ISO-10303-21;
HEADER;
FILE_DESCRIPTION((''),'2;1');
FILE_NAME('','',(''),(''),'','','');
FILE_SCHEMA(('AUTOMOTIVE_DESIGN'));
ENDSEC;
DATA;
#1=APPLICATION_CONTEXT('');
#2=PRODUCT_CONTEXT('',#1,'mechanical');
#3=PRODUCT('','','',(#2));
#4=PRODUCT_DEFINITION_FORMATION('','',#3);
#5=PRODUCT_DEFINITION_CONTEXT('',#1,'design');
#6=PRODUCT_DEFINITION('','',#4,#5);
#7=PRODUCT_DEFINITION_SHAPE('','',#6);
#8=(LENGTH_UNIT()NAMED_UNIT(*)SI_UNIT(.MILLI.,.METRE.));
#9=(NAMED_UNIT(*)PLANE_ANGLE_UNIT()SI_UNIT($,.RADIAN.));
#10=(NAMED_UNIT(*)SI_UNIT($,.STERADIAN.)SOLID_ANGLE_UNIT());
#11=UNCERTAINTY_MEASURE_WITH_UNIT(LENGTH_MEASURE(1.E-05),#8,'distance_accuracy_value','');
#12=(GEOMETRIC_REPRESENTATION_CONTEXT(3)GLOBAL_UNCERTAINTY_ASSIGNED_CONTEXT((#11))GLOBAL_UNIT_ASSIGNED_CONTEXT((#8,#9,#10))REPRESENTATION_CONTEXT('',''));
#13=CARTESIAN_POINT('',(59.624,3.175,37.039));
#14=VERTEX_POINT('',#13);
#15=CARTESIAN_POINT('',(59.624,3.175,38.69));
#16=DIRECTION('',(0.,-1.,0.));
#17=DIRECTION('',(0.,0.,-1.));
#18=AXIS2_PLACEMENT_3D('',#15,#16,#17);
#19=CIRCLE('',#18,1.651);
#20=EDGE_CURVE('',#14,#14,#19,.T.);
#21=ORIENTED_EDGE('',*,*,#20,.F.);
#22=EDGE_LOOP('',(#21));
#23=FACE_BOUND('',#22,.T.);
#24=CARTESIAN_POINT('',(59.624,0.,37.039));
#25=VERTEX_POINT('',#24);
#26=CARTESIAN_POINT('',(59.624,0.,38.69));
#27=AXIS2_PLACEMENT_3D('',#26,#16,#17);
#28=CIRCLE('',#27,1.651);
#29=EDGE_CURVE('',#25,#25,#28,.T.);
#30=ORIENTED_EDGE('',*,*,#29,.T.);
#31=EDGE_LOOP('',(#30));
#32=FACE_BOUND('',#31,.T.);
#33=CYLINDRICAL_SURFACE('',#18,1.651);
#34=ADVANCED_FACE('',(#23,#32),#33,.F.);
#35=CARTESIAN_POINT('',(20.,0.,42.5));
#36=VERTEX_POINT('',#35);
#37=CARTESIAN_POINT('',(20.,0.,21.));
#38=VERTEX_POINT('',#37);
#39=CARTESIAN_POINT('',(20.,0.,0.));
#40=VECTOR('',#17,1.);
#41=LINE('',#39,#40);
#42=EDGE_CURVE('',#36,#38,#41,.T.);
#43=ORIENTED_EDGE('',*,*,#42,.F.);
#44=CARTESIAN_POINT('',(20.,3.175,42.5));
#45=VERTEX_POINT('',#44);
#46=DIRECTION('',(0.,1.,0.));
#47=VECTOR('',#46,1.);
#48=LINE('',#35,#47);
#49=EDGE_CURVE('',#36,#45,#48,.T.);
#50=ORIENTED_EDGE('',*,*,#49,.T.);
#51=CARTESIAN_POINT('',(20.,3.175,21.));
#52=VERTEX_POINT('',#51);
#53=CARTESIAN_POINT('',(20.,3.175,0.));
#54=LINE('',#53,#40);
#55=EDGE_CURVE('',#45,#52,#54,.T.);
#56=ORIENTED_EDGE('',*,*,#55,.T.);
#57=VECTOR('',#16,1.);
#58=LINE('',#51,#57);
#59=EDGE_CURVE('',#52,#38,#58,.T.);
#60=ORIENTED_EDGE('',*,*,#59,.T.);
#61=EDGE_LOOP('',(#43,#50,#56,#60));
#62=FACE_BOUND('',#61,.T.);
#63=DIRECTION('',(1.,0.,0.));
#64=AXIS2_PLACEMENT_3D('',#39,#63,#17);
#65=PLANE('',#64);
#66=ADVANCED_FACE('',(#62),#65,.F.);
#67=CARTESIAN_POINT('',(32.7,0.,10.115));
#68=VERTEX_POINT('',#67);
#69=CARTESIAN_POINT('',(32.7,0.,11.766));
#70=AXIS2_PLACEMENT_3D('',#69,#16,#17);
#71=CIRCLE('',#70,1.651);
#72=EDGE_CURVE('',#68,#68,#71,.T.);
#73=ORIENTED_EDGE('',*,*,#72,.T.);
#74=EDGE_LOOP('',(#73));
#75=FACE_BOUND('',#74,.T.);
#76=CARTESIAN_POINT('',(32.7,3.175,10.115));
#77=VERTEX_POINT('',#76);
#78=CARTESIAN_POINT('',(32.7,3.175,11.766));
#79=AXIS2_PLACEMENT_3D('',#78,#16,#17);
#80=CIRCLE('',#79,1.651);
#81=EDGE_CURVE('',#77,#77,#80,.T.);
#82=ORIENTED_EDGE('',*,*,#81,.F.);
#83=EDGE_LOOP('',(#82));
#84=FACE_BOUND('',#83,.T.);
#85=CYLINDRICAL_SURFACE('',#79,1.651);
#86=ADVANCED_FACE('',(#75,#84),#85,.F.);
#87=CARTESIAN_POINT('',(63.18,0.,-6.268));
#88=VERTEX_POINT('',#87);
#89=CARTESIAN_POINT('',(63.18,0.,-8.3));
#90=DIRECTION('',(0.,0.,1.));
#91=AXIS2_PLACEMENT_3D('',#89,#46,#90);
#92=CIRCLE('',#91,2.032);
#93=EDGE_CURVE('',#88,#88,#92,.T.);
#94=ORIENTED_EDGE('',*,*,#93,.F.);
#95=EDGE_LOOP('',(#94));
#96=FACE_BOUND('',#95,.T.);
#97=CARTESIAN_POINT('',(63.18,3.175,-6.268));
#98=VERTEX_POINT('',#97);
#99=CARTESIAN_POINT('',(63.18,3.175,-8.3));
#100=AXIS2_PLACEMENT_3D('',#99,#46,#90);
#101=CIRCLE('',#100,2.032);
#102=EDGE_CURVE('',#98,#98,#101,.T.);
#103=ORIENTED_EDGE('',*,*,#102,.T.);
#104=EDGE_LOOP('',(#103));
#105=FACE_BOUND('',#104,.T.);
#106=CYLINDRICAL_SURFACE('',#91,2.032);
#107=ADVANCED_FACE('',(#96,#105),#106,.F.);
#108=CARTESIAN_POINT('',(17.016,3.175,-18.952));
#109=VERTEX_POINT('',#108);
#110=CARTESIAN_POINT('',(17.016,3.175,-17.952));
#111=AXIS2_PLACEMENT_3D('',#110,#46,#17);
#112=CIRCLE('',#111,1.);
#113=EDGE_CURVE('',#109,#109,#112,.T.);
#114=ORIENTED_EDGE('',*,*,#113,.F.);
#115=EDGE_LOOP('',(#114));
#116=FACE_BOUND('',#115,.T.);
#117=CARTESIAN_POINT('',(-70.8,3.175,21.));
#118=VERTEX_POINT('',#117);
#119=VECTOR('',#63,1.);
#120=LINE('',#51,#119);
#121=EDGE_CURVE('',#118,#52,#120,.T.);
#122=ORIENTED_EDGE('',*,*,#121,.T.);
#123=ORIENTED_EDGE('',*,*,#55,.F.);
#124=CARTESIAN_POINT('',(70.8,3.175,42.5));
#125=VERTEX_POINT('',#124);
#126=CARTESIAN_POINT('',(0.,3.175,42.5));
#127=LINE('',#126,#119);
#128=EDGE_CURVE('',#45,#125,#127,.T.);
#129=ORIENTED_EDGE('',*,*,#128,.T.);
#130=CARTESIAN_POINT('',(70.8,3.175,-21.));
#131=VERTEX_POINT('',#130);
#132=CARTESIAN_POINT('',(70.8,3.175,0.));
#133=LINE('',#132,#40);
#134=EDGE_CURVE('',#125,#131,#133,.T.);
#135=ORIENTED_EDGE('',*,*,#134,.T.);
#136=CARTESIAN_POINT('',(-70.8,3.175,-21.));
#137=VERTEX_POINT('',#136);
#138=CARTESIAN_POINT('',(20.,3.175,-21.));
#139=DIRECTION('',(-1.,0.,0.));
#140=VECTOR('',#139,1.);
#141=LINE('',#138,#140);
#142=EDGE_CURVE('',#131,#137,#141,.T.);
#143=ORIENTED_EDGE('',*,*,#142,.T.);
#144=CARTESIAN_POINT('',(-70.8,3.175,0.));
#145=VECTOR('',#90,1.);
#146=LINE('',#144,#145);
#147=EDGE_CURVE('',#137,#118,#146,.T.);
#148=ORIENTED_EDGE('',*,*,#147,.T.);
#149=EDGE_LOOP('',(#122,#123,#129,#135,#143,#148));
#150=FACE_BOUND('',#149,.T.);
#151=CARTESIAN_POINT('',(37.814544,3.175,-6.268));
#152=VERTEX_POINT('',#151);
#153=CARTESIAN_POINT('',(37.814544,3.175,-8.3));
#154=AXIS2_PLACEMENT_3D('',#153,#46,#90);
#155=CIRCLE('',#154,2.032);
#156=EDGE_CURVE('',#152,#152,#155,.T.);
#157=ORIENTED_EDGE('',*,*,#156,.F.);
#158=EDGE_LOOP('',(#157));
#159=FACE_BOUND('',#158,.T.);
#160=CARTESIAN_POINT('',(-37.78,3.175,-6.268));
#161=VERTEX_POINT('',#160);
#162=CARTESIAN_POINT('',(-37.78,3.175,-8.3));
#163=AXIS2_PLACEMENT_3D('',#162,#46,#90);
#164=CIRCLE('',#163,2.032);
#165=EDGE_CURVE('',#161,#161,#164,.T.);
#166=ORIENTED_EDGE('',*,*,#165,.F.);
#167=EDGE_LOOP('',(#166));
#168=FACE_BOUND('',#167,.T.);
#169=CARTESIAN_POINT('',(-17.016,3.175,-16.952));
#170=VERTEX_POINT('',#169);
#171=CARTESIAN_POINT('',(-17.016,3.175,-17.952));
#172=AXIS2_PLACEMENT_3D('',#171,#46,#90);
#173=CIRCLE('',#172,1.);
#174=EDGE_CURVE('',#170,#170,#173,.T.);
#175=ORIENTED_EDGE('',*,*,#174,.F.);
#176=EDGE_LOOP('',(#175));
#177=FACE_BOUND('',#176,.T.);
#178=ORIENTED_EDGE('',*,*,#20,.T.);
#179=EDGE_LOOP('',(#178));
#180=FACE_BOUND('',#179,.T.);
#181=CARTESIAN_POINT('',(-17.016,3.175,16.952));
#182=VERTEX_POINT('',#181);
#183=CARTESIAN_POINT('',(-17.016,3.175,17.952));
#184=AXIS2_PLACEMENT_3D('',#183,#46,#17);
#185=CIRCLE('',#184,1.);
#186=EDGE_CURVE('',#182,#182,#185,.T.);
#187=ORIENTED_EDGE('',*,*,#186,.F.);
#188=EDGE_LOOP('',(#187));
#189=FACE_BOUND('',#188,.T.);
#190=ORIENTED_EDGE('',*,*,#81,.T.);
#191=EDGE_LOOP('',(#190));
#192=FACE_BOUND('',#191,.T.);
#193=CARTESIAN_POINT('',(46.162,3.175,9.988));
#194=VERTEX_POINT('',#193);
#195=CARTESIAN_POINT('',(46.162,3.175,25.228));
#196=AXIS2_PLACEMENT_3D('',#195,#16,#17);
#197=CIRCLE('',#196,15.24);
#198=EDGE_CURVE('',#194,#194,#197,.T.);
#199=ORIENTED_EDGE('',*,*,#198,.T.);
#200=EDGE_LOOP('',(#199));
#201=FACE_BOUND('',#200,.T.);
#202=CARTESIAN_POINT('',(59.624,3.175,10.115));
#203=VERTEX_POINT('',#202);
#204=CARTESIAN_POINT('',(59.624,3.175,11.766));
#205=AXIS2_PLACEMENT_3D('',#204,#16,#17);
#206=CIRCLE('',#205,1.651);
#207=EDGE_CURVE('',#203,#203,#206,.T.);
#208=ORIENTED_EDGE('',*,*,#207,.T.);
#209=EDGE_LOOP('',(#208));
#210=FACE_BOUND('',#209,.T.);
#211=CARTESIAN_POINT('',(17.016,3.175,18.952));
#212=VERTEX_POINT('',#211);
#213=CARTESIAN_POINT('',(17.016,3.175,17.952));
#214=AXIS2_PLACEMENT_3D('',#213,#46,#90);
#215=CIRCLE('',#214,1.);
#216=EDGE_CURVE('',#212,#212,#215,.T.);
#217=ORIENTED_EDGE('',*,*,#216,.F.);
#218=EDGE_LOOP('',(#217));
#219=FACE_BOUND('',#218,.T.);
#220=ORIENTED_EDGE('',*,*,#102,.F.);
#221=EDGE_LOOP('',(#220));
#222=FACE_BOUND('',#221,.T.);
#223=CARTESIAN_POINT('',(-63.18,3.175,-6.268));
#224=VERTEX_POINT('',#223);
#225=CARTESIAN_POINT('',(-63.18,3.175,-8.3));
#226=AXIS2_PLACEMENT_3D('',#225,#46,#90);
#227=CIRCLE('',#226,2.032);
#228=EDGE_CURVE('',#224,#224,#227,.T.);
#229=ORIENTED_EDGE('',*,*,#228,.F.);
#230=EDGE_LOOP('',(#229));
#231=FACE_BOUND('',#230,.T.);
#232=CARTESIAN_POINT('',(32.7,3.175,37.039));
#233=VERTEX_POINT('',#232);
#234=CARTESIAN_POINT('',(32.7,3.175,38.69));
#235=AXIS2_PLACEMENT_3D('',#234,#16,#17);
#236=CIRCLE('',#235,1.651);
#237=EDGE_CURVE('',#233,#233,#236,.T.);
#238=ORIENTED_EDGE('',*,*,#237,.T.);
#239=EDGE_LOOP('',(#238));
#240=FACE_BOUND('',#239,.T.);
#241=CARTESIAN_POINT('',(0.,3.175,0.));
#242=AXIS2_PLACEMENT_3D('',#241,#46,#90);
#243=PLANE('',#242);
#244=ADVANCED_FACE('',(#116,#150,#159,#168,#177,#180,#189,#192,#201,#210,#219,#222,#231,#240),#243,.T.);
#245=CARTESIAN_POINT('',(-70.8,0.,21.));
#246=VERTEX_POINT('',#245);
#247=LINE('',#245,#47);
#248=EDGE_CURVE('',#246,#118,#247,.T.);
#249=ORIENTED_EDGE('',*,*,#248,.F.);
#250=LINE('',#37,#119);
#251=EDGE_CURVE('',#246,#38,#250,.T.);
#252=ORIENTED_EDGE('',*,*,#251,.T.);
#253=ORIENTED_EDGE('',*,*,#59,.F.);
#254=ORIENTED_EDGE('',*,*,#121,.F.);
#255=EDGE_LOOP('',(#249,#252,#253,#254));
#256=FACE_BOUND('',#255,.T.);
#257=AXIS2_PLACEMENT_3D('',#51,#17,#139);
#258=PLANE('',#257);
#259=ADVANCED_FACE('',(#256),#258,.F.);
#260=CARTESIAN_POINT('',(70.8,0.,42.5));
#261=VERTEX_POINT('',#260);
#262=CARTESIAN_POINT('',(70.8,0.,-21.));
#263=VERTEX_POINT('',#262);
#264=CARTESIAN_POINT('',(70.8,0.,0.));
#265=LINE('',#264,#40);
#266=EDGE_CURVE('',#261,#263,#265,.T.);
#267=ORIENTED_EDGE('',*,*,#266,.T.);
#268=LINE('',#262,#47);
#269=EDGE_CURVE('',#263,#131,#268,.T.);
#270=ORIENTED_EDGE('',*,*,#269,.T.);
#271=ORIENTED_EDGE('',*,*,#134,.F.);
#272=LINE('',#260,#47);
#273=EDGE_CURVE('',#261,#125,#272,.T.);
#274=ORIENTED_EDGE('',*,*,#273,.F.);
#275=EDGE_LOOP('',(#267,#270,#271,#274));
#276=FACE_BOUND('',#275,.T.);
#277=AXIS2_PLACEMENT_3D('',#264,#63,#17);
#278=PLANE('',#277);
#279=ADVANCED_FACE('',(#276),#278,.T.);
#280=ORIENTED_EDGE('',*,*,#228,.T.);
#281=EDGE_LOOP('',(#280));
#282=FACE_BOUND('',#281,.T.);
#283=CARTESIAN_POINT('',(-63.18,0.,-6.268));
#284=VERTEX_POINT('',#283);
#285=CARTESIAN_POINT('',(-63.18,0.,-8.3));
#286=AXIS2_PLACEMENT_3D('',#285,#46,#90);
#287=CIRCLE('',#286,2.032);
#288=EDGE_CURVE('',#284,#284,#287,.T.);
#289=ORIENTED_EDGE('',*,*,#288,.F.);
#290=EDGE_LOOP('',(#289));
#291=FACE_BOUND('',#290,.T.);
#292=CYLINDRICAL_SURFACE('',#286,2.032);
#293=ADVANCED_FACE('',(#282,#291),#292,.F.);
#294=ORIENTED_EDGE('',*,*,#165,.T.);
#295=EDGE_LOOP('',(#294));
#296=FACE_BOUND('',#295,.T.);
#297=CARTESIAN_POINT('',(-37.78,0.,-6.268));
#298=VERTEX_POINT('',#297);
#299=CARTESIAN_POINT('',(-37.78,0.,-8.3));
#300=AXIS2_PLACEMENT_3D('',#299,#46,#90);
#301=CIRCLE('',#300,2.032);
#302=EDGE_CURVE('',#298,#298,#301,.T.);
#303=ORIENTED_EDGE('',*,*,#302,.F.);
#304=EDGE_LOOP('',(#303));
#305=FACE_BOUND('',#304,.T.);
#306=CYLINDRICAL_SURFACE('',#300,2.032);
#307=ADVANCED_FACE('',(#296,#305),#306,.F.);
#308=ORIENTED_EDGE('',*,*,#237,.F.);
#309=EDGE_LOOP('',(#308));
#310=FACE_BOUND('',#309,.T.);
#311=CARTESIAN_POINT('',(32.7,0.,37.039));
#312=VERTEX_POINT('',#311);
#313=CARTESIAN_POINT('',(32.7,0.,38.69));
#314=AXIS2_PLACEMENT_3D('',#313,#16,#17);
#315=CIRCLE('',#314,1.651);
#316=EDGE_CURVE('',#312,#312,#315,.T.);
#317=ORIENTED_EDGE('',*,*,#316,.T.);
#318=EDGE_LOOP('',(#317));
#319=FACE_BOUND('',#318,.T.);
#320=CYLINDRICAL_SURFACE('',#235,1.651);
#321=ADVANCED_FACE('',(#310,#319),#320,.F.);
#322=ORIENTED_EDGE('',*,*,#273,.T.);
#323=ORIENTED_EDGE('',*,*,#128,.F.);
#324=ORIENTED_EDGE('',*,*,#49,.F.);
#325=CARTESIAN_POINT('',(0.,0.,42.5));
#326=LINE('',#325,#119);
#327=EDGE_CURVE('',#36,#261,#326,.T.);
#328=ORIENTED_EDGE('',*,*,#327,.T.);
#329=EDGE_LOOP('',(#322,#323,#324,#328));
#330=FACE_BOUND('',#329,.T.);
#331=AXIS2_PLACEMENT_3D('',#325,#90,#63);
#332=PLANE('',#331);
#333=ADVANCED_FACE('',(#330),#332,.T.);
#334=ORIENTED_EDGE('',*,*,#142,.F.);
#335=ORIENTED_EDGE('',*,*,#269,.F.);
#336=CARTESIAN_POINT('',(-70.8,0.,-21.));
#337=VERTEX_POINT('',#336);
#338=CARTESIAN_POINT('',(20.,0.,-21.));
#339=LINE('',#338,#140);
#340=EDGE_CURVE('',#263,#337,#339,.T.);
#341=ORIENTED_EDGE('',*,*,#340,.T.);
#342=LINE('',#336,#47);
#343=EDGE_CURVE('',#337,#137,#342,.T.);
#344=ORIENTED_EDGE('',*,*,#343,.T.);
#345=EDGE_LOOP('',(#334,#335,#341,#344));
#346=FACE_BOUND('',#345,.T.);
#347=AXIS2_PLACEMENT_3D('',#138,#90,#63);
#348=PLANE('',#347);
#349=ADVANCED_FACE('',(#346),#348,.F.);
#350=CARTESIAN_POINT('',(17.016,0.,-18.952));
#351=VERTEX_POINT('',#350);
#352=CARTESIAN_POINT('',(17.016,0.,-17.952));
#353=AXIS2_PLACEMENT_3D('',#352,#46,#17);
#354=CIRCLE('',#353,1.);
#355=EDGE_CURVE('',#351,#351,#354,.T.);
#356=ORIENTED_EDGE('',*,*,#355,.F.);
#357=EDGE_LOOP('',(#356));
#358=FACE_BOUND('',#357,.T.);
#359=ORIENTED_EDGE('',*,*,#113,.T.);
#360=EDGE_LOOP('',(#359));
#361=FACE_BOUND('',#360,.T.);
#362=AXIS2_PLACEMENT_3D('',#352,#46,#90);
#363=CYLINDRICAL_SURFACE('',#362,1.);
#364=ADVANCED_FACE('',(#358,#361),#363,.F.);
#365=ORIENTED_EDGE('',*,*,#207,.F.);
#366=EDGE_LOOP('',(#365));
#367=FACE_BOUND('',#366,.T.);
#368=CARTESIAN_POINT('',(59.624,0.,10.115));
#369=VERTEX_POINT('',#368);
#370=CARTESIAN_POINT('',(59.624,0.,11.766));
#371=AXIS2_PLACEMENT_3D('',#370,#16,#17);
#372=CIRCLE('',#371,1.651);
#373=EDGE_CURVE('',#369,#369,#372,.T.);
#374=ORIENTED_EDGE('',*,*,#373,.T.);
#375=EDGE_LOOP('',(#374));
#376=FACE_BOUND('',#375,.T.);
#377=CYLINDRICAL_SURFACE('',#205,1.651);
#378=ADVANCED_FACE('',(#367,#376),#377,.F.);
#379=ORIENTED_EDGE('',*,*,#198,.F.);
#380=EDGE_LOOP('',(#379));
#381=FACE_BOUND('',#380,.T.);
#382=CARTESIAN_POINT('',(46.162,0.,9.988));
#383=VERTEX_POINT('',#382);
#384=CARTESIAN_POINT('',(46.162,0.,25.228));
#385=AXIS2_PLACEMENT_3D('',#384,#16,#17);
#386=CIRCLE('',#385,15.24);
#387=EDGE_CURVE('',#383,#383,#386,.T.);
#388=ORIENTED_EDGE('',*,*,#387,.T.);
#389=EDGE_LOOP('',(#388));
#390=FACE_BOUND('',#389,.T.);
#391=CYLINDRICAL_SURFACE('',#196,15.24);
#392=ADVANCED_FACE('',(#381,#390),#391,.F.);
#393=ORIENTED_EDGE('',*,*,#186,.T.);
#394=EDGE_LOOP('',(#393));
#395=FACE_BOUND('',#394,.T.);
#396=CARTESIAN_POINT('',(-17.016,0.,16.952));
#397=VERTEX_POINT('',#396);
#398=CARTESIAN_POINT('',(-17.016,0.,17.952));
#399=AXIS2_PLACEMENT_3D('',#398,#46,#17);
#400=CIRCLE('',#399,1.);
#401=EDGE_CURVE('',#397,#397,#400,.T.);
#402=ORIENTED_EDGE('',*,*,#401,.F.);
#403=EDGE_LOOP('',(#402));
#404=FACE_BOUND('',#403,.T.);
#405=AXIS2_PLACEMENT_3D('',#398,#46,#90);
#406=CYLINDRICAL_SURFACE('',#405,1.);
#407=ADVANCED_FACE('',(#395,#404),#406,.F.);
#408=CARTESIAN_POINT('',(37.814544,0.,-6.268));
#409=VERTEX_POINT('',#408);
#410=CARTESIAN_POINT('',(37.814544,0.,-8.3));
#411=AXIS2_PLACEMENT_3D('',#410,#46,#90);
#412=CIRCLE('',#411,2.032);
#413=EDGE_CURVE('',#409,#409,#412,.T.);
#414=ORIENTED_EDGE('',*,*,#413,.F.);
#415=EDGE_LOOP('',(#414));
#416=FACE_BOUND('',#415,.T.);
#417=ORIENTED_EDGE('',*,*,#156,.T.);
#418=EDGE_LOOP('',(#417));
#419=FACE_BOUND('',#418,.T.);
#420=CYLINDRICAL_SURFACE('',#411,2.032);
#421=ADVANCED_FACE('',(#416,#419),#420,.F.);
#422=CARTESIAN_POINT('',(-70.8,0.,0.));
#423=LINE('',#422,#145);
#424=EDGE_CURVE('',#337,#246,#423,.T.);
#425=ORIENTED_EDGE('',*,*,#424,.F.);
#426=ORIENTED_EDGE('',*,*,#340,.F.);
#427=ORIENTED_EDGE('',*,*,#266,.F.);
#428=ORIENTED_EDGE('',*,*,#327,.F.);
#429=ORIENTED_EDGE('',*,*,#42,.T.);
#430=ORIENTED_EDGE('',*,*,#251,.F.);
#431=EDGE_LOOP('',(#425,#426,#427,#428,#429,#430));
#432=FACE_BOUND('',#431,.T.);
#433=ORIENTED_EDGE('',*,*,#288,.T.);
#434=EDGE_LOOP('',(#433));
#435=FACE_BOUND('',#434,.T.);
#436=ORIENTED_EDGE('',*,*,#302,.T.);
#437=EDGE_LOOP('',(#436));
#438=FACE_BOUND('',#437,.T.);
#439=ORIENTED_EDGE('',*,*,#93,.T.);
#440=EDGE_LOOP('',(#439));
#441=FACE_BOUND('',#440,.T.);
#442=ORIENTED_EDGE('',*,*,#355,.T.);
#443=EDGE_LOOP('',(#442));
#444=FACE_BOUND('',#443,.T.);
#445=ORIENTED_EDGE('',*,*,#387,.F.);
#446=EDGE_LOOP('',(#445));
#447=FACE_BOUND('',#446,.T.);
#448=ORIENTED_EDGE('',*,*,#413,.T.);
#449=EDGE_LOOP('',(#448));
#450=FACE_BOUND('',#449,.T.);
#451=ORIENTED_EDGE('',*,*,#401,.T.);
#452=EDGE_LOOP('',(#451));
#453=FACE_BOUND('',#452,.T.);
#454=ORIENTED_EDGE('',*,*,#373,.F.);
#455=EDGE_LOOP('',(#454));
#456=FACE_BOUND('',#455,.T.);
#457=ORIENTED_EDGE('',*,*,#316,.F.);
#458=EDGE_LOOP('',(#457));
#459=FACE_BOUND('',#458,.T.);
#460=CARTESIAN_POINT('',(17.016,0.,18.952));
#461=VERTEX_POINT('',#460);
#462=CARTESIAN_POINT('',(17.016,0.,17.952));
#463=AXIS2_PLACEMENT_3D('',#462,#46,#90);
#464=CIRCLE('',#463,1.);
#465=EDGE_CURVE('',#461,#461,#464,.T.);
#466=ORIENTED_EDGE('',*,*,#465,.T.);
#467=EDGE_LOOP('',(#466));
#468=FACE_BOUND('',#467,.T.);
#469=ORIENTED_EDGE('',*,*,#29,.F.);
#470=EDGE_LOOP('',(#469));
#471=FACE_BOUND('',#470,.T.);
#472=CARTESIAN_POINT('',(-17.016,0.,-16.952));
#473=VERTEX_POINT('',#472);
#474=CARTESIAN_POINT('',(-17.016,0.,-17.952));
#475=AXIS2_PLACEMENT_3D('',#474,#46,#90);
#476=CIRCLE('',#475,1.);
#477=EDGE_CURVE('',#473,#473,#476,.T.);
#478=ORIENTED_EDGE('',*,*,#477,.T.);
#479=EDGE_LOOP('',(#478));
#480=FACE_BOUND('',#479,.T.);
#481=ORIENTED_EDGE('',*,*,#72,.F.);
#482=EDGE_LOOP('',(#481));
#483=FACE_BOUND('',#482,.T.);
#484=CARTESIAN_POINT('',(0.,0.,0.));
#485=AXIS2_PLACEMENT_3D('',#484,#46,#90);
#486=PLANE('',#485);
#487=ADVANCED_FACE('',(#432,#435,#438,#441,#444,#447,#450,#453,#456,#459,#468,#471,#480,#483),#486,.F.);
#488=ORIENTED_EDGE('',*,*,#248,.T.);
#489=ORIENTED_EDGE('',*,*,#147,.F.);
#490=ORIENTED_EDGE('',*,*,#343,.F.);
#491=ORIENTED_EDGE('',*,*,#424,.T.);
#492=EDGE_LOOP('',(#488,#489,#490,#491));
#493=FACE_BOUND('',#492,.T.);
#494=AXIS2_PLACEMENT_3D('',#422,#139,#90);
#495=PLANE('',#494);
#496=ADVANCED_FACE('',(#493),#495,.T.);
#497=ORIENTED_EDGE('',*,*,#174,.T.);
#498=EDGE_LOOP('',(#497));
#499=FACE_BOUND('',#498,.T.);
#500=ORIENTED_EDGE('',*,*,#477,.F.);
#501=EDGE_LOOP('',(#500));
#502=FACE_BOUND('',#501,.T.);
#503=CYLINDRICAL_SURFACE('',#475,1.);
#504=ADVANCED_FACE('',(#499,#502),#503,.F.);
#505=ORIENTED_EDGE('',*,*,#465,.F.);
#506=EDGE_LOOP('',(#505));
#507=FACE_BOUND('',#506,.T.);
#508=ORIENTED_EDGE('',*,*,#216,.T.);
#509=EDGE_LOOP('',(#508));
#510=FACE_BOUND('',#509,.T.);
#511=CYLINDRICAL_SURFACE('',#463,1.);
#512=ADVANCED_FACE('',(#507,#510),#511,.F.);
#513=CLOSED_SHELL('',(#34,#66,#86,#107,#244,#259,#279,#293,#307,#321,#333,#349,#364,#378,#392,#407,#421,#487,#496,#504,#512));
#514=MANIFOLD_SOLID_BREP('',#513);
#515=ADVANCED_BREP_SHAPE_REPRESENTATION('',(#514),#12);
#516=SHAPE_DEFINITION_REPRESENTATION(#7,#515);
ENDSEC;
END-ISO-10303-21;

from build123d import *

# Parameters (mm, degrees)
SKETCH1_W               = 40
SKETCH1_H               = 42
BOSS_EXTRUDE1_DEPTH     = 3.175
SKETCH2_R               = 1
CUT_EXTRUDE1_DEPTH      = 4.175
SKETCH3_W               = 50.8
SKETCH3_H               = 63.5
BOSS_EXTRUDE2_DEPTH     = 3.175
SKETCH4_R               = 2.032
CUT_EXTRUDE2_DEPTH      = 4.175
SKETCH8_R               = 1.651
CUT_EXTRUDE5_DEPTH      = 4.175
SKETCH9_R               = 15.24
CUT_EXTRUDE6_DEPTH      = 4.175
SKETCH10_W              = 50.8
SKETCH10_H              = 21.5
CUT_EXTRUDE7_DEPTH      = 1
CUT_EXTRUDE7_DEPTH_BACK = 4.175


with BuildPart() as part:
    # Sketch1 → Boss-Extrude1 (new body)
    with BuildSketch(Plane(origin=(0, 0, 0), x_dir=(1, 0, 0), z_dir=(0, 1, 0))):
        Rectangle(SKETCH1_W, SKETCH1_H)
    extrude(amount=BOSS_EXTRUDE1_DEPTH)

    # Sketch2 → Cut-Extrude1 (cut, through all)
    with BuildSketch(Plane(origin=(0, 3.175, 0), x_dir=(1, 0, 0), z_dir=(0, 1, 0))):
        with Locations((17.015999872, -17.952)):
            Circle(SKETCH2_R)
        with Locations((-17.015999872, -17.952)):
            Circle(SKETCH2_R)
        with Locations((17.015999872, 17.952)):
            Circle(SKETCH2_R)
        with Locations((-17.015999872, 17.952)):
            Circle(SKETCH2_R)
    extrude(amount=-CUT_EXTRUDE1_DEPTH, mode=Mode.SUBTRACT)

    # Sketch3 → Boss-Extrude2 (add)
    with BuildSketch(Plane(origin=(0, 3.175, 0), x_dir=(1, 0, 0), z_dir=(0, 1, 0))):
        with Locations((45.4, -10.75)):
            Rectangle(SKETCH3_W, SKETCH3_H)
        with Locations((-45.4, -10.75)):
            Rectangle(SKETCH3_W, SKETCH3_H)
    extrude(amount=-BOSS_EXTRUDE2_DEPTH)

    # Sketch4 → Cut-Extrude2 (cut, through all)
    with BuildSketch(Plane(origin=(0, 3.175, 0), x_dir=(1, 0, 0), z_dir=(0, 1, 0))):
        with Locations((63.18, 8.3)):
            Circle(SKETCH4_R)
        with Locations((37.814543867, 8.3)):
            Circle(SKETCH4_R)
        with Locations((-37.78, 8.3)):
            Circle(SKETCH4_R)
        with Locations((-63.18, 8.3)):
            Circle(SKETCH4_R)
    extrude(amount=-CUT_EXTRUDE2_DEPTH, mode=Mode.SUBTRACT)

    # Sketch8 → Cut-Extrude5 (cut, through all)
    with BuildSketch(Plane(origin=(0, 0, 0), x_dir=(-1, 0, 0), z_dir=(0, -1, 0))):
        with Locations((-32.7, -38.69)):
            Circle(SKETCH8_R)
        with Locations((-32.7, -11.766)):
            Circle(SKETCH8_R)
        with Locations((-59.624, -38.69)):
            Circle(SKETCH8_R)
        with Locations((-59.624, -11.766)):
            Circle(SKETCH8_R)
    extrude(amount=-CUT_EXTRUDE5_DEPTH, mode=Mode.SUBTRACT)

    # Sketch9 → Cut-Extrude6 (cut, through all)
    with BuildSketch(Plane(origin=(0, 0, 0), x_dir=(-1, 0, 0), z_dir=(0, -1, 0))):
        with Locations((-46.162, -25.228)):
            Circle(SKETCH9_R)
    extrude(amount=-CUT_EXTRUDE6_DEPTH, mode=Mode.SUBTRACT)

    # Sketch10 → Cut-Extrude7 (cut, two sides)
    with BuildSketch(Plane(origin=(0, 3.175, 0), x_dir=(1, 0, 0), z_dir=(0, 1, 0))) as cut_extrude7_sk:
        with Locations((-45.4, -31.75)):
            Rectangle(SKETCH10_W, SKETCH10_H)
    extrude(amount=CUT_EXTRUDE7_DEPTH, mode=Mode.SUBTRACT)
    extrude(cut_extrude7_sk.sketch, amount=-CUT_EXTRUDE7_DEPTH_BACK, mode=Mode.SUBTRACT)


solid = part.part
